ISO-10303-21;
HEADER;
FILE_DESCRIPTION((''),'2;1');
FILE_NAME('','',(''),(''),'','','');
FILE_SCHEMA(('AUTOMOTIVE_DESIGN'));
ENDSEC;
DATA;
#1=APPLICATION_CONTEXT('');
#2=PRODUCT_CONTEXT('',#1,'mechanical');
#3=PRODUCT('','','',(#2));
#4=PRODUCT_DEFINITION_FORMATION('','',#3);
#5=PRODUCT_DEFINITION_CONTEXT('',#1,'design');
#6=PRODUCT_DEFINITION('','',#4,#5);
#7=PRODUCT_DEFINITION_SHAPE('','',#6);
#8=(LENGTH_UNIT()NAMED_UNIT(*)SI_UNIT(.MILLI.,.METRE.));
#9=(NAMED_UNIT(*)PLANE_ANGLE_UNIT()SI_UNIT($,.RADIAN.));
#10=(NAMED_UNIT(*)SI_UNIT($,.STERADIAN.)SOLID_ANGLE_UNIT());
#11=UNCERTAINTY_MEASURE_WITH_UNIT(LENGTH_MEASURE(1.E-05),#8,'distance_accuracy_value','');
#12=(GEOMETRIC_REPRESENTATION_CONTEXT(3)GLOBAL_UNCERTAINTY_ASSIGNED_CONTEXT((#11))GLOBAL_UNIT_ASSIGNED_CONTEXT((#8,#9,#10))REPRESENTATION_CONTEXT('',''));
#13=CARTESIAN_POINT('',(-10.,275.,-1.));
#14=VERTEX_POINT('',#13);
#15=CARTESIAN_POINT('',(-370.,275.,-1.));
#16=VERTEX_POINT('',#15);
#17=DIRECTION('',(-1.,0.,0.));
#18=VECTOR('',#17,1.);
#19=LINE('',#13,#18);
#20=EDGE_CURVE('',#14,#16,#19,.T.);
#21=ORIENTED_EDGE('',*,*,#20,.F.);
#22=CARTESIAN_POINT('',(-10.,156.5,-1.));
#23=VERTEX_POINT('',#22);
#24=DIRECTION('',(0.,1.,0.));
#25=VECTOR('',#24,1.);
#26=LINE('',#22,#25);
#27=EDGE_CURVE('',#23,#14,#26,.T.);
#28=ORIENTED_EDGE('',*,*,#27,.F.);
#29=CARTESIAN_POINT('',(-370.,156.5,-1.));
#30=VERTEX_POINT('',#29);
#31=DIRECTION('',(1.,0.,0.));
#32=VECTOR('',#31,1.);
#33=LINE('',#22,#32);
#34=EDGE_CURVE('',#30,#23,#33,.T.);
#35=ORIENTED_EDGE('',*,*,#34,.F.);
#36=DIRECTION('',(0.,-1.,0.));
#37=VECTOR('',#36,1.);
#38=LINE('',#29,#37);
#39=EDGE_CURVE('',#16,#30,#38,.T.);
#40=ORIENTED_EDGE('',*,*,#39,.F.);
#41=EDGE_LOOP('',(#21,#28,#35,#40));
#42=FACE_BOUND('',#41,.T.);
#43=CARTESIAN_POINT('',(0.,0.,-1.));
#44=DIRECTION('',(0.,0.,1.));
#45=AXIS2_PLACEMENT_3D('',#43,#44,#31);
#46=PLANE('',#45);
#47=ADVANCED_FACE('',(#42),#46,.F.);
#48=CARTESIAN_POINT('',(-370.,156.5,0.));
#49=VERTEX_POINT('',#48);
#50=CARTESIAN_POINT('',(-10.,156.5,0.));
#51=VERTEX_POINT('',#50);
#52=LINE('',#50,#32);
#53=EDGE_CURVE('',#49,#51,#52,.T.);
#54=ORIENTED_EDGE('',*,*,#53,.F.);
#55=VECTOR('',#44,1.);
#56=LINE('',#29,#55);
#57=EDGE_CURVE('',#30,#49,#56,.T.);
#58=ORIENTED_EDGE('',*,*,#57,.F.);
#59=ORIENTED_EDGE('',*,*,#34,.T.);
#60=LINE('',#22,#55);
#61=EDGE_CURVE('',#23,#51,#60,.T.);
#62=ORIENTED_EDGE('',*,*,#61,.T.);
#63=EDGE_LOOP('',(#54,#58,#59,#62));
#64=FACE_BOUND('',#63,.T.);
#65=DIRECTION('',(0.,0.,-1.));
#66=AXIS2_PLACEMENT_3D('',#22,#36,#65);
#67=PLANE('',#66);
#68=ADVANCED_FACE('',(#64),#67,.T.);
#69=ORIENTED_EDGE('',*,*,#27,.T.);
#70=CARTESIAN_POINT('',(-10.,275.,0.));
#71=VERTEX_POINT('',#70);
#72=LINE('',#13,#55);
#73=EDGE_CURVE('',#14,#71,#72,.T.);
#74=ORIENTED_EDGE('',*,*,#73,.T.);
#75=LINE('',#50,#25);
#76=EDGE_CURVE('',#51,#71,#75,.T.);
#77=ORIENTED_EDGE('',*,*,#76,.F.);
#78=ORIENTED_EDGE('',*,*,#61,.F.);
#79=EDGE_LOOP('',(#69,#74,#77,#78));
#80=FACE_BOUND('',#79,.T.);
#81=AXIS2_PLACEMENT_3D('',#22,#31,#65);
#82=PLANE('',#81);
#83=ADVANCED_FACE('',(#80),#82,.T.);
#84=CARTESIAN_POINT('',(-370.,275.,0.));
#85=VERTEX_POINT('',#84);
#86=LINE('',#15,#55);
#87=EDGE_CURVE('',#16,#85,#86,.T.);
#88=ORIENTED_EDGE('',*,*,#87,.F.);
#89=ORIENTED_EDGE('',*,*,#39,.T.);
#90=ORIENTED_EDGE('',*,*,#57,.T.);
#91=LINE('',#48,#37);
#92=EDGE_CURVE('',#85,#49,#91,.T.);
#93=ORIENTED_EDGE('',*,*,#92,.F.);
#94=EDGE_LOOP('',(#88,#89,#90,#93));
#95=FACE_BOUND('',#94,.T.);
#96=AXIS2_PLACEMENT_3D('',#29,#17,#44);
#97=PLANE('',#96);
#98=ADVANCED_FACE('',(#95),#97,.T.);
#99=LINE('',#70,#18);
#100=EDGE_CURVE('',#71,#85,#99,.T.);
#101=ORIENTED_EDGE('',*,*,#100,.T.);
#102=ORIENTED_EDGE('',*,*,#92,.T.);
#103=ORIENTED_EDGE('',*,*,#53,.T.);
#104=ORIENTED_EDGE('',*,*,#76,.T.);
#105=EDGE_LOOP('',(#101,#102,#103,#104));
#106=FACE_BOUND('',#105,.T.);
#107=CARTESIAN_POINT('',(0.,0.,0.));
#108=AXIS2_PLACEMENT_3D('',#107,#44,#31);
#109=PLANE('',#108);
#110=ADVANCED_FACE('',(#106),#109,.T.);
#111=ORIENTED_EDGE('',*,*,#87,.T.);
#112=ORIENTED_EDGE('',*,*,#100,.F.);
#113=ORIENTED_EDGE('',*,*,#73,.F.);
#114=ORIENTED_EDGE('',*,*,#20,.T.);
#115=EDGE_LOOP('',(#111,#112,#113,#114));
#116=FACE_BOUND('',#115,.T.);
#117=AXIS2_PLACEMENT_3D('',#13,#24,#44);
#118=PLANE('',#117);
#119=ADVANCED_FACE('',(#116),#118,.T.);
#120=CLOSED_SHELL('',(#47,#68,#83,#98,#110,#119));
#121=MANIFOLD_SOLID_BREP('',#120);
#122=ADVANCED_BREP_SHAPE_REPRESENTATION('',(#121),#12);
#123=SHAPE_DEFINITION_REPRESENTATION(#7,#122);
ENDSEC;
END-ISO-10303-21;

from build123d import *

# Parameters (mm, degrees)
SKETCH_1_W      = 360
SKETCH_1_H      = 118.5
EXTRUDE_1_DEPTH = 1


with BuildPart() as part:
    # 草图1 → 凸台-拉伸1 (new body)
    with BuildSketch(Plane.XY):
        with Locations((-190, 215.75)):
            Rectangle(SKETCH_1_W, SKETCH_1_H)
    extrude(amount=-EXTRUDE_1_DEPTH)


solid = part.part
